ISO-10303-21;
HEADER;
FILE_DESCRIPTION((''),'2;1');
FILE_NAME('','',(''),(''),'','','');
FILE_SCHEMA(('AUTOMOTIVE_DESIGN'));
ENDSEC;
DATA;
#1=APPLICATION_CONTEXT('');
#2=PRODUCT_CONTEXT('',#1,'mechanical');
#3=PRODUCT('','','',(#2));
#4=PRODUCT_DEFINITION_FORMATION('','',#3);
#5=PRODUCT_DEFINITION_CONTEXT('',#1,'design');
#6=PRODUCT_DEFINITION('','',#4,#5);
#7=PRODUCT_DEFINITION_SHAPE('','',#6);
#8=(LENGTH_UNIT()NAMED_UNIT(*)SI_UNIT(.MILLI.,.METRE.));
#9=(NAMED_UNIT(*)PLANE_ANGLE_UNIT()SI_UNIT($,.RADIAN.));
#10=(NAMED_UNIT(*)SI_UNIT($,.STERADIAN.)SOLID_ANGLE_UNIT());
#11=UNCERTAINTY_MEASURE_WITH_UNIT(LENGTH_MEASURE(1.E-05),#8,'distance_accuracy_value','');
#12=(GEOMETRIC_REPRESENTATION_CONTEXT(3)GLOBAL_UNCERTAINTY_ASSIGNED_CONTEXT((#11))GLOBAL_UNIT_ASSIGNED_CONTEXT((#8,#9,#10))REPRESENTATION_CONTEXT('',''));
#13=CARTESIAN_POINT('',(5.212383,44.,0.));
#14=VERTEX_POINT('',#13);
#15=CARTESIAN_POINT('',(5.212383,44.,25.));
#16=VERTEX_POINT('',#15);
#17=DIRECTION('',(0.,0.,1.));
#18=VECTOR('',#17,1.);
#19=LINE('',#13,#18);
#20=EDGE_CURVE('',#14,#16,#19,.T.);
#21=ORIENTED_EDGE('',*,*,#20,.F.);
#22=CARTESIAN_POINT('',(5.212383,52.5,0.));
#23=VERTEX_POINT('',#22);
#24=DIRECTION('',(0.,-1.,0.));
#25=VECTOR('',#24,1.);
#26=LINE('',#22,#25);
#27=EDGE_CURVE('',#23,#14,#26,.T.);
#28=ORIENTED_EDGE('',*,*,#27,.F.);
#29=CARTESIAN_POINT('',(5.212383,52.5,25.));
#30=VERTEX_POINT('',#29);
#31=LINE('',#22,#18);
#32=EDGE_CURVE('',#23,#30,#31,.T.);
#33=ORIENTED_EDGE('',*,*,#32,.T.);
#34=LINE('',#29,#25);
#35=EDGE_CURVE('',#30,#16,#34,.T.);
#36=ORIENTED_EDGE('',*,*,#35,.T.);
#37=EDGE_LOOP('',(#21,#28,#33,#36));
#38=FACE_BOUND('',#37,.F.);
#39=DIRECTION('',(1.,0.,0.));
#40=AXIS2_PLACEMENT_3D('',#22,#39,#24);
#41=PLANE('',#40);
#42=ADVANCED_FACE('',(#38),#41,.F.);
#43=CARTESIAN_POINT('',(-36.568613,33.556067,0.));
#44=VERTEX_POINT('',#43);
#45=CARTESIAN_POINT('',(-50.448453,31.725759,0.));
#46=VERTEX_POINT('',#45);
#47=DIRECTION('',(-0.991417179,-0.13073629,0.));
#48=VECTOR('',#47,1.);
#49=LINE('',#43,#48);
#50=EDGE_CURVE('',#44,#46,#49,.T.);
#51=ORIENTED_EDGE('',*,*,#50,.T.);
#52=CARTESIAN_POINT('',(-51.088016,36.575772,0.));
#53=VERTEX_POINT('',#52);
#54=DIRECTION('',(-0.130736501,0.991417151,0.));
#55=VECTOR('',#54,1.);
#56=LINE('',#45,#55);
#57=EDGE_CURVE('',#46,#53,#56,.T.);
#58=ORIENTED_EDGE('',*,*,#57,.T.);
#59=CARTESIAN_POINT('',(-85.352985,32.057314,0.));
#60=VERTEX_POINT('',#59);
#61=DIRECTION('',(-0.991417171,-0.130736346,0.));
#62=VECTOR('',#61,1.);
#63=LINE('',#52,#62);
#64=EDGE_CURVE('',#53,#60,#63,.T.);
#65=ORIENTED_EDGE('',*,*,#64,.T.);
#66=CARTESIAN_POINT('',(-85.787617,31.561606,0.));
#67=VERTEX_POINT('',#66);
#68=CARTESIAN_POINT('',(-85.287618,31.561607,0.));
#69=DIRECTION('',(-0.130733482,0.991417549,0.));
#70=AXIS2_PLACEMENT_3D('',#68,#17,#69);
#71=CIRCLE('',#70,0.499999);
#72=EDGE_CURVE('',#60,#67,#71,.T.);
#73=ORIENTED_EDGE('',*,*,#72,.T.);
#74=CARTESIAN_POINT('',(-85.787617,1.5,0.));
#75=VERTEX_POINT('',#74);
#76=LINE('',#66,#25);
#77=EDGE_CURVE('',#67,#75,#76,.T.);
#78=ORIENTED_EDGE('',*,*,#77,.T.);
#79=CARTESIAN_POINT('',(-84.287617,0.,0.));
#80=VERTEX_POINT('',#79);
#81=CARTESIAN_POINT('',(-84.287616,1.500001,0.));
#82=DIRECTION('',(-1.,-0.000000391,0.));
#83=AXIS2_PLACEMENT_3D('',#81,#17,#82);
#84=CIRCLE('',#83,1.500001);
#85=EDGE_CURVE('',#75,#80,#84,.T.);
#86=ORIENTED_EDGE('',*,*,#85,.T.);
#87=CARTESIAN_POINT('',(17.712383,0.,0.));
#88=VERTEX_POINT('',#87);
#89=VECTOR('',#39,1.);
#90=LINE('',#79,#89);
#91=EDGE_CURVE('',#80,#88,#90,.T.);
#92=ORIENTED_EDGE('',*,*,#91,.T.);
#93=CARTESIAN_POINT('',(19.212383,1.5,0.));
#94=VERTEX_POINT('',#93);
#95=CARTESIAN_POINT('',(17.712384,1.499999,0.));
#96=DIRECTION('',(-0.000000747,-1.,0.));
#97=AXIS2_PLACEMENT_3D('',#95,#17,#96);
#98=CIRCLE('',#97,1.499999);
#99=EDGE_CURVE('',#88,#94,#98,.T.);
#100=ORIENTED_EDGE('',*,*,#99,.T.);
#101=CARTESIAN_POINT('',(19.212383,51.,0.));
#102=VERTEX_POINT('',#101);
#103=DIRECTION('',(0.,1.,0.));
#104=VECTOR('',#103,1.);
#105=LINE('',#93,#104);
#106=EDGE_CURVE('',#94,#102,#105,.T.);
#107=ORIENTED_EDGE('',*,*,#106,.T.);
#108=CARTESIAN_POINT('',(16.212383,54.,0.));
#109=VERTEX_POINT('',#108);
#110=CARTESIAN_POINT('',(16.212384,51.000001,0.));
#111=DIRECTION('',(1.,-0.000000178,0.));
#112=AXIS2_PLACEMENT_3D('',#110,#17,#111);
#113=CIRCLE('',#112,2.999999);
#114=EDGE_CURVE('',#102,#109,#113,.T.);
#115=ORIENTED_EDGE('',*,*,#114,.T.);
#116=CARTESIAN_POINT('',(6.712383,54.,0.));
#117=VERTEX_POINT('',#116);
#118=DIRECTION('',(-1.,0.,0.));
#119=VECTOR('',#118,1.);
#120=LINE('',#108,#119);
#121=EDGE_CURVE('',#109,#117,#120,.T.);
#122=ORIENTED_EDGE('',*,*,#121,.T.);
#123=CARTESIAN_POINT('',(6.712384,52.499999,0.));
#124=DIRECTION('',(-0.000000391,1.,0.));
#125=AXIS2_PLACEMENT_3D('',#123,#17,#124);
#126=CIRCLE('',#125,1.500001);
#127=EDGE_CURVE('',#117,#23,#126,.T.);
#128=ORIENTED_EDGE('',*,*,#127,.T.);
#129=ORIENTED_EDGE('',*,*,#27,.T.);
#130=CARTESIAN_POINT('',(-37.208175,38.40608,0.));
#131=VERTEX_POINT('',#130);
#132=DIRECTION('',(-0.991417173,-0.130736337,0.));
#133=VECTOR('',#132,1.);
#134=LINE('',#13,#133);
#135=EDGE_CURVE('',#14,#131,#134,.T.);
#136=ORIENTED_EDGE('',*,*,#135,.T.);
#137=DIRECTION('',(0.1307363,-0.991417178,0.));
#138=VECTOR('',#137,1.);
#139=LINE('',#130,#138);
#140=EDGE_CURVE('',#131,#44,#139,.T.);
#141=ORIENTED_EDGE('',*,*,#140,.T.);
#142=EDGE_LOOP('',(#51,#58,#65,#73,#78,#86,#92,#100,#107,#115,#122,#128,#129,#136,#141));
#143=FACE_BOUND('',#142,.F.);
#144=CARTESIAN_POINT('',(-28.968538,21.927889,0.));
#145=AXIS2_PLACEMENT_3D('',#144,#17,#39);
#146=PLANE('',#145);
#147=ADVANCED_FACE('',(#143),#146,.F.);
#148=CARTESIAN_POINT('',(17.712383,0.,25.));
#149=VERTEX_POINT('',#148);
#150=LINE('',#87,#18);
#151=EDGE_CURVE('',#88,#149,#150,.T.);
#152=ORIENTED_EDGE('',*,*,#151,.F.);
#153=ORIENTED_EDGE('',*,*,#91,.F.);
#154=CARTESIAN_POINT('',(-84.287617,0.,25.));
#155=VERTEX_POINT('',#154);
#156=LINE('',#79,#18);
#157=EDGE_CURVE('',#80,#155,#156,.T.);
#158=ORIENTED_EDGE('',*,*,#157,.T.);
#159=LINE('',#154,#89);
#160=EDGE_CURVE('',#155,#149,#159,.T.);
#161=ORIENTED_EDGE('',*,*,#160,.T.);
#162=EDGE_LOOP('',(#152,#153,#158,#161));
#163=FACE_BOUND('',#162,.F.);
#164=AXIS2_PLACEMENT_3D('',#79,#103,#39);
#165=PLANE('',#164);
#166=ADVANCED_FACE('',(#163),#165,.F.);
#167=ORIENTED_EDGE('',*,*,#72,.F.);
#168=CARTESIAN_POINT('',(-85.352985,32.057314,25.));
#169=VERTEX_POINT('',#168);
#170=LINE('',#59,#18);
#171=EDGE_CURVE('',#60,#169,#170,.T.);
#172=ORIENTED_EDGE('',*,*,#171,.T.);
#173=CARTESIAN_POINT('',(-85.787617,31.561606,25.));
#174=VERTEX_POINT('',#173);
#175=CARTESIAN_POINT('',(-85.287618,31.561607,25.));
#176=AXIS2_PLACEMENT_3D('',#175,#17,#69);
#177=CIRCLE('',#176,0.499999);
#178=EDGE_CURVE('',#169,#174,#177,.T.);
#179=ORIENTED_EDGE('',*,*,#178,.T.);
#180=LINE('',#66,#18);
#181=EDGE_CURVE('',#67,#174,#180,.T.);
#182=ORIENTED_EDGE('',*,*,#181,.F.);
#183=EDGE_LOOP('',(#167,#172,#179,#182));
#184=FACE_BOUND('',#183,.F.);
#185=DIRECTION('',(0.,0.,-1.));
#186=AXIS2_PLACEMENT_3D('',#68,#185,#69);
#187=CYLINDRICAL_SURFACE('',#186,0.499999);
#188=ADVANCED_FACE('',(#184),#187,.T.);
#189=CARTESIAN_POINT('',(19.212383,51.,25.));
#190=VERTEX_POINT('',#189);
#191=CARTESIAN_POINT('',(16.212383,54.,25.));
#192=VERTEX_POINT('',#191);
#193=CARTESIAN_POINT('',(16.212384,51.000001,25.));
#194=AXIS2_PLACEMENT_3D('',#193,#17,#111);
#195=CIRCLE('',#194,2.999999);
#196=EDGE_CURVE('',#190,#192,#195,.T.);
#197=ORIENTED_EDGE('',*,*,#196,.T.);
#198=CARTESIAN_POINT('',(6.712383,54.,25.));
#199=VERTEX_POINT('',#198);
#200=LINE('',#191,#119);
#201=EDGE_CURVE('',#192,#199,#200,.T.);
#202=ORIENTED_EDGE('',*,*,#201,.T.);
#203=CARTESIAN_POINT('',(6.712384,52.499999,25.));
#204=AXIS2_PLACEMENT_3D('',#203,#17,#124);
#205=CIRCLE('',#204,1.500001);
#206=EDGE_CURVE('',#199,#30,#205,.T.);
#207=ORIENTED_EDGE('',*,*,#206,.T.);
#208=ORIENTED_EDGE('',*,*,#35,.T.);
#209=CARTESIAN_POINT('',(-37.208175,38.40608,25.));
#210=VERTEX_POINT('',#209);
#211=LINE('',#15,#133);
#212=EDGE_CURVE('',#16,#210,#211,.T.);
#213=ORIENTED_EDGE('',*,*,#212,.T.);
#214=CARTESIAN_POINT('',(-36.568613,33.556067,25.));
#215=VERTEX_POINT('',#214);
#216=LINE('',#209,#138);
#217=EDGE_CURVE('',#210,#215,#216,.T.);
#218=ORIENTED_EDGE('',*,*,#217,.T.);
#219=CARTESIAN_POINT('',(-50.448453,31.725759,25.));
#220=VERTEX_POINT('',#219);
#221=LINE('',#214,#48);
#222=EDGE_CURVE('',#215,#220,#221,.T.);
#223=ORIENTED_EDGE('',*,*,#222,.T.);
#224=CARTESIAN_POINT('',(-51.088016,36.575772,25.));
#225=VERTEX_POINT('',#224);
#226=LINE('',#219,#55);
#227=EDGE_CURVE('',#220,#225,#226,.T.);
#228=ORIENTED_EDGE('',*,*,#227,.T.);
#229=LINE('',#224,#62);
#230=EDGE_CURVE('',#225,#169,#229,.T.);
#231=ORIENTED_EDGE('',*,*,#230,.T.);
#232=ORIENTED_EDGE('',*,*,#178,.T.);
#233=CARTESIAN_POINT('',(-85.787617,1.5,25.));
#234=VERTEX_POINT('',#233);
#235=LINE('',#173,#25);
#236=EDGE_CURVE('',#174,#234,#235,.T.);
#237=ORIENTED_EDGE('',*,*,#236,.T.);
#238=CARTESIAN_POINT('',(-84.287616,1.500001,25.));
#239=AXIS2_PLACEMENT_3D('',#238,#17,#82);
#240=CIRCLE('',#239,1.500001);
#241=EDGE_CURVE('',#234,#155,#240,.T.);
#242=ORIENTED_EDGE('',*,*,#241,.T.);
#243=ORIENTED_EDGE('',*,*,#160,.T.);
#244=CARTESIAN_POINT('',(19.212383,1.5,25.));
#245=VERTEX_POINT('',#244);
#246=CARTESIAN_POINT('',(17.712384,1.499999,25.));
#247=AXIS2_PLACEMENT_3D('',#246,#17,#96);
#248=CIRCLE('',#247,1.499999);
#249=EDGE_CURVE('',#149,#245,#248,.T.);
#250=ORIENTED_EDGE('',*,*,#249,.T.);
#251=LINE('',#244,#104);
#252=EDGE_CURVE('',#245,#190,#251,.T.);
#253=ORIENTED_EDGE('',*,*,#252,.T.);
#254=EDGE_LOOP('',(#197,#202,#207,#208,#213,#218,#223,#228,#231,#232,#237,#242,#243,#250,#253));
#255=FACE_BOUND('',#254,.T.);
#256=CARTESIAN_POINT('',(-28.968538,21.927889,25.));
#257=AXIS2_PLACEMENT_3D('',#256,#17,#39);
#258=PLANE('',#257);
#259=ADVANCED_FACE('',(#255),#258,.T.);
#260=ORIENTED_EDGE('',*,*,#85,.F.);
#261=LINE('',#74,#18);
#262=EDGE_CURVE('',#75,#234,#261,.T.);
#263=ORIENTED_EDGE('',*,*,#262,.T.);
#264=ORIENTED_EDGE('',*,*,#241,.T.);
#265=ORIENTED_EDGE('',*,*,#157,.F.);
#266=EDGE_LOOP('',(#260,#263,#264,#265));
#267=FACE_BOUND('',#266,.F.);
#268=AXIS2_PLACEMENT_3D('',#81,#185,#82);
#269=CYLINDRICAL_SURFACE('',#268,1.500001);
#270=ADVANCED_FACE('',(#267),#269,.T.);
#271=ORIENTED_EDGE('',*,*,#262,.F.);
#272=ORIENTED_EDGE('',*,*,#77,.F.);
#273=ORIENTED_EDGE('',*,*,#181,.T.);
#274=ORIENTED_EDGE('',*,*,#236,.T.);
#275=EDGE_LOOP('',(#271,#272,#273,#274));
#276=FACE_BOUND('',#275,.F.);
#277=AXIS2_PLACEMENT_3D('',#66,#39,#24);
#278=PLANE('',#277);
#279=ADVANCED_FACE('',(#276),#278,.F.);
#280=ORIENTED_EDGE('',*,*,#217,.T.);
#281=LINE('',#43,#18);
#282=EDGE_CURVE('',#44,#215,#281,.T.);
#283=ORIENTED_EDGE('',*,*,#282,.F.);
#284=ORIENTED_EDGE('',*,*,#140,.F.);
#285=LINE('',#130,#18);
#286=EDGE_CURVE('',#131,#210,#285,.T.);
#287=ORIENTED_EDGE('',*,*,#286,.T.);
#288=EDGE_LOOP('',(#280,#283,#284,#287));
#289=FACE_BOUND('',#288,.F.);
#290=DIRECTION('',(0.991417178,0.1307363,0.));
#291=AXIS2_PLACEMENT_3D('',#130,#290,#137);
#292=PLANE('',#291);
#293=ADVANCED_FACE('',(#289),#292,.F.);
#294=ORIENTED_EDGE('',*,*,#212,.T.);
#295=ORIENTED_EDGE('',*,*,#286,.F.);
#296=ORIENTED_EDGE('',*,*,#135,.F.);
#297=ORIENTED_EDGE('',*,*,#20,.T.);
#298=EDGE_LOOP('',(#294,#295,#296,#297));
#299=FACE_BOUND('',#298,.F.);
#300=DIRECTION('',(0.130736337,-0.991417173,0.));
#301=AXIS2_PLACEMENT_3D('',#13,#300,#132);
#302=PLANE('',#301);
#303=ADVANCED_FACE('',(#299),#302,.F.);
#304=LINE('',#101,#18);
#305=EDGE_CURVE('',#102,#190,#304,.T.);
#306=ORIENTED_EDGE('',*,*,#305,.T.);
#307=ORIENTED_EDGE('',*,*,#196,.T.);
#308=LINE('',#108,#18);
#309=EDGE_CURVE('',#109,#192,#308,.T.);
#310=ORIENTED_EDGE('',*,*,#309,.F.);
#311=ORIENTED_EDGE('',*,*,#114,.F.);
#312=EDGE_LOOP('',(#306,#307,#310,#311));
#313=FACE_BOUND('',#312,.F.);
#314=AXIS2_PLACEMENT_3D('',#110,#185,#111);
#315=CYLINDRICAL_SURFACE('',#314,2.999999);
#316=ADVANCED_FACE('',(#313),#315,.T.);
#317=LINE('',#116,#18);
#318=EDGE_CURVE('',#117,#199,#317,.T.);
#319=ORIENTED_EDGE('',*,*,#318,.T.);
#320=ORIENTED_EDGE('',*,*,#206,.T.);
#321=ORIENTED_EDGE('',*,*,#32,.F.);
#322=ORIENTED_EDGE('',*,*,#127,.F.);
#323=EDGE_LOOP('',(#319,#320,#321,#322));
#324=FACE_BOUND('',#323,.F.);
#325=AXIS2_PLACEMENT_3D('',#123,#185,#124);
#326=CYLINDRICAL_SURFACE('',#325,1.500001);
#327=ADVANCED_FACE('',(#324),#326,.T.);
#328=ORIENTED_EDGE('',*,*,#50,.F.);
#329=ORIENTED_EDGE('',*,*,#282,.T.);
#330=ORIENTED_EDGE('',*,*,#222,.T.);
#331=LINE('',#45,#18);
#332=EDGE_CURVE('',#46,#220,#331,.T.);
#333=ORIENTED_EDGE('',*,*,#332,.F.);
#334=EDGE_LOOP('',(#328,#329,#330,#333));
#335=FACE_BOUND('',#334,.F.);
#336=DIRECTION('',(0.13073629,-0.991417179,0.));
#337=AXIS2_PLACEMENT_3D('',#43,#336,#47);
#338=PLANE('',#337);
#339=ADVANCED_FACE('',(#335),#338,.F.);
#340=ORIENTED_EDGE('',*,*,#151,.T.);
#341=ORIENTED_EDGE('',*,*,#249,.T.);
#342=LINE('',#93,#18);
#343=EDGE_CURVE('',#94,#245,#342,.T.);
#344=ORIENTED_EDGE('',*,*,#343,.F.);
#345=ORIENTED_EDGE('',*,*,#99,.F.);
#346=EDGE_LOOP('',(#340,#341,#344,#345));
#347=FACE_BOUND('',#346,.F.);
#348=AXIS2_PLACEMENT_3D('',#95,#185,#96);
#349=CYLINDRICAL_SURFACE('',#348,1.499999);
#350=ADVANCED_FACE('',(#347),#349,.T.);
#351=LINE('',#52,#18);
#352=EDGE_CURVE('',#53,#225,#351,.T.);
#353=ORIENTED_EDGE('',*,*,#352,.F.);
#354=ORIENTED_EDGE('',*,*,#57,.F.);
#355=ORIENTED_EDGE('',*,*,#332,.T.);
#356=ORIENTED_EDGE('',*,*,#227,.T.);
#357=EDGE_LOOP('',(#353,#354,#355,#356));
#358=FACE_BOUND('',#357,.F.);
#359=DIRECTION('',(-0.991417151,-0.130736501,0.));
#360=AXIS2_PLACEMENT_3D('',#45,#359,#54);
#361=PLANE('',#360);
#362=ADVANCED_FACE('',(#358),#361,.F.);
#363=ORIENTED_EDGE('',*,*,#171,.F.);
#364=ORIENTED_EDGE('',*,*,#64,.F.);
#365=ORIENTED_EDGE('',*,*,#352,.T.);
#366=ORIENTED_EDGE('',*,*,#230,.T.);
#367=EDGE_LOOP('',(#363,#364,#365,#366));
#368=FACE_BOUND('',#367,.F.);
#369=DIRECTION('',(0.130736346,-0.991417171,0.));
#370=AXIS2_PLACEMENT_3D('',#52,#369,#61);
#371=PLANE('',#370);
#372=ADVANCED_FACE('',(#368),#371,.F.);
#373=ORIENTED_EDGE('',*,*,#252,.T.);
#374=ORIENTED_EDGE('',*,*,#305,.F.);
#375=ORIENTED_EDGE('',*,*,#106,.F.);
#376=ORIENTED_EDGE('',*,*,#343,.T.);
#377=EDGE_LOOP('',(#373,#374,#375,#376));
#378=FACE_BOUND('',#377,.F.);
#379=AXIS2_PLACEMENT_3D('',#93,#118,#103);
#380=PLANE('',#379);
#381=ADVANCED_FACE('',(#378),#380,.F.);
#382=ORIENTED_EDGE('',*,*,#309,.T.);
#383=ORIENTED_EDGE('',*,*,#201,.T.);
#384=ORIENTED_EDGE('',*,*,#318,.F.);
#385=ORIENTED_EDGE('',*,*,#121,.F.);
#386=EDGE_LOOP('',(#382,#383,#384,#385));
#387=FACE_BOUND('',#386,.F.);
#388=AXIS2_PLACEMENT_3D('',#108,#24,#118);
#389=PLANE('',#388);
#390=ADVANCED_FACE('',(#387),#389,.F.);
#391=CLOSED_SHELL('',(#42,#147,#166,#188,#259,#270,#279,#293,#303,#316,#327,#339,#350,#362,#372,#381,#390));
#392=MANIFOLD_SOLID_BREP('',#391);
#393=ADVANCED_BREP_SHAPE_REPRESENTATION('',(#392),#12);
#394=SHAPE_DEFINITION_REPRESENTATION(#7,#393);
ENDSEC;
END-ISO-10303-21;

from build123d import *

# Parameters (mm, degrees)
F1_DEPTH = 25


with BuildPart() as f1:
    # F0 (on Top) → F1 (new body)
    with BuildSketch(Plane.XY):
        with BuildLine():
            ThreePointArc((-85.787617, 1.5), (-85.348277, 0.43934), (-84.287617, 0))
            Line((-84.287617, 0), (17.712383, 0))
            ThreePointArc((17.712383, 0), (18.773044, 0.43934), (19.212383, 1.5))
            Line((19.212383, 1.5), (19.212383, 51))
            ThreePointArc((19.212383, 51), (18.333704, 53.12132), (16.212383, 54))
            Line((16.212383, 54), (6.712383, 54))
            ThreePointArc((6.712383, 54), (5.651723, 53.56066), (5.212383, 52.5))
            Line((5.212383, 52.5), (5.212383, 44))
            Line((5.212383, 44), (-37.208175, 38.40608))
            Line((-37.208175, 38.40608), (-36.568613, 33.556067))
            Line((-36.568613, 33.556067), (-50.448453, 31.725759))
            Line((-50.448453, 31.725759), (-51.088016, 36.575772))
            Line((-51.088016, 36.575772), (-85.352985, 32.057314))
            ThreePointArc((-85.352985, 32.057314), (-85.663572, 31.891239), (-85.787617, 31.561606))
            Line((-85.787617, 31.561606), (-85.787617, 1.5))
        make_face()
    extrude(amount=F1_DEPTH)


solid = f1.part
